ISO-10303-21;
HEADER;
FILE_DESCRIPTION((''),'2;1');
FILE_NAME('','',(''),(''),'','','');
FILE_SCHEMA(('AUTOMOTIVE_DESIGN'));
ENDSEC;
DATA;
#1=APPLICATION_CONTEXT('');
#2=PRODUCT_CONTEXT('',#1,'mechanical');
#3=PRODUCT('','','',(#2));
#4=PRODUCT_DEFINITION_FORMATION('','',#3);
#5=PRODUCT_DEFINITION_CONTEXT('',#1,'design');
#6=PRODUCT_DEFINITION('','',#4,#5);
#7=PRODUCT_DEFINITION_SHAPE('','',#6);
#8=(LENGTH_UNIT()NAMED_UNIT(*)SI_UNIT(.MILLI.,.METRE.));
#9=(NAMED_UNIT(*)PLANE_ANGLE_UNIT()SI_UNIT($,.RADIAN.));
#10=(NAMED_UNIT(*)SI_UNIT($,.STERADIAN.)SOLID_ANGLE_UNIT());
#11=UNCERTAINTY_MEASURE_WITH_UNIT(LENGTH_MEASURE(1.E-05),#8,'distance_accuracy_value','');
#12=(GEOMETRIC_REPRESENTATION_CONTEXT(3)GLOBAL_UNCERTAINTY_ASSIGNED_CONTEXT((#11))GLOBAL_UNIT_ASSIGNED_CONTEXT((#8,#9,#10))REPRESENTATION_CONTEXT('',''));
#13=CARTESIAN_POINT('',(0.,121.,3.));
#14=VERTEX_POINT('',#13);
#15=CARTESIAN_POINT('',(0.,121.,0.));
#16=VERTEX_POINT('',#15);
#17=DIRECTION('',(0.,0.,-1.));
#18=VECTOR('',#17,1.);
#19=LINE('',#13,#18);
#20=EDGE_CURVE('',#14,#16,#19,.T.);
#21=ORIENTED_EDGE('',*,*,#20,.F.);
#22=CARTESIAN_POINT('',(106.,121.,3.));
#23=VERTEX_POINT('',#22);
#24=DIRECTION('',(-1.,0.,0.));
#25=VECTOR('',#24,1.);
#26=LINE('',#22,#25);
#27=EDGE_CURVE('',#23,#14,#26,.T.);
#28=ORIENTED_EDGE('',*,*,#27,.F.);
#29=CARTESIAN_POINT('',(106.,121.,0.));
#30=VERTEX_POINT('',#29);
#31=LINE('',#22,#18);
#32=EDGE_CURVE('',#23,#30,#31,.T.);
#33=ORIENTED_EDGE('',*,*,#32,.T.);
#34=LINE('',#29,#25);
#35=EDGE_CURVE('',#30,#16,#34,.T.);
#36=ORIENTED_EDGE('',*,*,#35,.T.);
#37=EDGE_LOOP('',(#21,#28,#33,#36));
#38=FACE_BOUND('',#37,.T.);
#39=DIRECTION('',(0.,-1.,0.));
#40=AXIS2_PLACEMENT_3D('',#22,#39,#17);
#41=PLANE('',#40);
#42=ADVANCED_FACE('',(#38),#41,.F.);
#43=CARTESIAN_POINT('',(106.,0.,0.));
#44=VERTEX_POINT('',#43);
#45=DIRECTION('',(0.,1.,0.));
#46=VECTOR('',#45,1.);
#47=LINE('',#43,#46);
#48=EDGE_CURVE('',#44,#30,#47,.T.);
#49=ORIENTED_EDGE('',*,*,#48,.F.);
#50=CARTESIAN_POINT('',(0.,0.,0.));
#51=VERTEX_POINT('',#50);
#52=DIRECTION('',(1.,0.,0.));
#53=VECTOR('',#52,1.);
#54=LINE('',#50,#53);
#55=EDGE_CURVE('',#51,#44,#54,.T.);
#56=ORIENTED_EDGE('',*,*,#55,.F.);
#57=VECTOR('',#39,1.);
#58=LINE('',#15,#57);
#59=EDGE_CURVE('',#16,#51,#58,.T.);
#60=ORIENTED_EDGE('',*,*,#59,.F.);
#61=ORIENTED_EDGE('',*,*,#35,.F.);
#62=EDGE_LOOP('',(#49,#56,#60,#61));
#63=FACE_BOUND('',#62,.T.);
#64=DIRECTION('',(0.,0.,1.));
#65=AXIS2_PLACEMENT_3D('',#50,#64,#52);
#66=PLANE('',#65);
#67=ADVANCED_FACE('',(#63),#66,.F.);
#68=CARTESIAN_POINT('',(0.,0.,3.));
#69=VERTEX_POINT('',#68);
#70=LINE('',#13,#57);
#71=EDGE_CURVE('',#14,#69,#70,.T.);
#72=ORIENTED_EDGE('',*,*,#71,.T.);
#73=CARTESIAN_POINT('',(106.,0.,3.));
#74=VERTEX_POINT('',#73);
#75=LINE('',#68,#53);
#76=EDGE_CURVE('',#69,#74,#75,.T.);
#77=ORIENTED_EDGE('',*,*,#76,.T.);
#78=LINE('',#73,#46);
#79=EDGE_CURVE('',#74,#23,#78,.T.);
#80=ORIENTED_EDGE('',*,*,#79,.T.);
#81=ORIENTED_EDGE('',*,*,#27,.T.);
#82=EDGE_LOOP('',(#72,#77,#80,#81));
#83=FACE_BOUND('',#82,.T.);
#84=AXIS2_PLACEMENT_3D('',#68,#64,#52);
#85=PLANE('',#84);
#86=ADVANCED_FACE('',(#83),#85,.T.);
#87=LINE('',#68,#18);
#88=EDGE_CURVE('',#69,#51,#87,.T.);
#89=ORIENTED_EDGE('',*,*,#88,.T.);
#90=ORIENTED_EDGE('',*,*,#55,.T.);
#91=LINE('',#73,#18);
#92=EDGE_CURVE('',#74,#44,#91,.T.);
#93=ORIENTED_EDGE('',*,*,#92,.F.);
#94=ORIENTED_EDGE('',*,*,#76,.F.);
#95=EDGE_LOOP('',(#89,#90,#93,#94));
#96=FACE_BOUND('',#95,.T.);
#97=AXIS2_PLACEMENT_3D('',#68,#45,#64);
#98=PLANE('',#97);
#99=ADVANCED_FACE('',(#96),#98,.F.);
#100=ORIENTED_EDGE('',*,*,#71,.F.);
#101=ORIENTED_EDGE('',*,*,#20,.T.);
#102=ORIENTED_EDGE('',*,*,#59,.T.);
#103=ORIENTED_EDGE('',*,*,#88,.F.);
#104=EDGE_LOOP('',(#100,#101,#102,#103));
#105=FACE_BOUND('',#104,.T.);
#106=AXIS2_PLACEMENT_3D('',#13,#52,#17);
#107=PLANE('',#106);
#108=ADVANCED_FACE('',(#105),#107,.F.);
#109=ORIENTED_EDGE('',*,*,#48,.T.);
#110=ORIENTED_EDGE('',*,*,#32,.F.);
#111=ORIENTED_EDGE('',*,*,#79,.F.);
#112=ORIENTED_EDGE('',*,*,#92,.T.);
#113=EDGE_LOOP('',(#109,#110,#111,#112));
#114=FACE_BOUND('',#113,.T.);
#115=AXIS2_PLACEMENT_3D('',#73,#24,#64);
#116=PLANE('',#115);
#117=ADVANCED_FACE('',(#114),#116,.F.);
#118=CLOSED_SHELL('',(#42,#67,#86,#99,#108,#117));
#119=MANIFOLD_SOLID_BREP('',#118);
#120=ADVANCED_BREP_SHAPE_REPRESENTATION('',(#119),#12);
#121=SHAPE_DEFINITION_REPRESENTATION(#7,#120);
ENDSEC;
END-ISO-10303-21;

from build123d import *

# Parameters (mm, degrees)
SKETCH_1_W         = 106
SKETCH_1_H         = 121
BLOCKEXTRUDE_DEPTH = 3


with BuildPart() as part:
    # 草图1 → BlockExtrude (new body)
    with BuildSketch(Plane.XY):
        with Locations((53, 60.5)):
            Rectangle(SKETCH_1_W, SKETCH_1_H)
    extrude(amount=BLOCKEXTRUDE_DEPTH)


solid = part.part
